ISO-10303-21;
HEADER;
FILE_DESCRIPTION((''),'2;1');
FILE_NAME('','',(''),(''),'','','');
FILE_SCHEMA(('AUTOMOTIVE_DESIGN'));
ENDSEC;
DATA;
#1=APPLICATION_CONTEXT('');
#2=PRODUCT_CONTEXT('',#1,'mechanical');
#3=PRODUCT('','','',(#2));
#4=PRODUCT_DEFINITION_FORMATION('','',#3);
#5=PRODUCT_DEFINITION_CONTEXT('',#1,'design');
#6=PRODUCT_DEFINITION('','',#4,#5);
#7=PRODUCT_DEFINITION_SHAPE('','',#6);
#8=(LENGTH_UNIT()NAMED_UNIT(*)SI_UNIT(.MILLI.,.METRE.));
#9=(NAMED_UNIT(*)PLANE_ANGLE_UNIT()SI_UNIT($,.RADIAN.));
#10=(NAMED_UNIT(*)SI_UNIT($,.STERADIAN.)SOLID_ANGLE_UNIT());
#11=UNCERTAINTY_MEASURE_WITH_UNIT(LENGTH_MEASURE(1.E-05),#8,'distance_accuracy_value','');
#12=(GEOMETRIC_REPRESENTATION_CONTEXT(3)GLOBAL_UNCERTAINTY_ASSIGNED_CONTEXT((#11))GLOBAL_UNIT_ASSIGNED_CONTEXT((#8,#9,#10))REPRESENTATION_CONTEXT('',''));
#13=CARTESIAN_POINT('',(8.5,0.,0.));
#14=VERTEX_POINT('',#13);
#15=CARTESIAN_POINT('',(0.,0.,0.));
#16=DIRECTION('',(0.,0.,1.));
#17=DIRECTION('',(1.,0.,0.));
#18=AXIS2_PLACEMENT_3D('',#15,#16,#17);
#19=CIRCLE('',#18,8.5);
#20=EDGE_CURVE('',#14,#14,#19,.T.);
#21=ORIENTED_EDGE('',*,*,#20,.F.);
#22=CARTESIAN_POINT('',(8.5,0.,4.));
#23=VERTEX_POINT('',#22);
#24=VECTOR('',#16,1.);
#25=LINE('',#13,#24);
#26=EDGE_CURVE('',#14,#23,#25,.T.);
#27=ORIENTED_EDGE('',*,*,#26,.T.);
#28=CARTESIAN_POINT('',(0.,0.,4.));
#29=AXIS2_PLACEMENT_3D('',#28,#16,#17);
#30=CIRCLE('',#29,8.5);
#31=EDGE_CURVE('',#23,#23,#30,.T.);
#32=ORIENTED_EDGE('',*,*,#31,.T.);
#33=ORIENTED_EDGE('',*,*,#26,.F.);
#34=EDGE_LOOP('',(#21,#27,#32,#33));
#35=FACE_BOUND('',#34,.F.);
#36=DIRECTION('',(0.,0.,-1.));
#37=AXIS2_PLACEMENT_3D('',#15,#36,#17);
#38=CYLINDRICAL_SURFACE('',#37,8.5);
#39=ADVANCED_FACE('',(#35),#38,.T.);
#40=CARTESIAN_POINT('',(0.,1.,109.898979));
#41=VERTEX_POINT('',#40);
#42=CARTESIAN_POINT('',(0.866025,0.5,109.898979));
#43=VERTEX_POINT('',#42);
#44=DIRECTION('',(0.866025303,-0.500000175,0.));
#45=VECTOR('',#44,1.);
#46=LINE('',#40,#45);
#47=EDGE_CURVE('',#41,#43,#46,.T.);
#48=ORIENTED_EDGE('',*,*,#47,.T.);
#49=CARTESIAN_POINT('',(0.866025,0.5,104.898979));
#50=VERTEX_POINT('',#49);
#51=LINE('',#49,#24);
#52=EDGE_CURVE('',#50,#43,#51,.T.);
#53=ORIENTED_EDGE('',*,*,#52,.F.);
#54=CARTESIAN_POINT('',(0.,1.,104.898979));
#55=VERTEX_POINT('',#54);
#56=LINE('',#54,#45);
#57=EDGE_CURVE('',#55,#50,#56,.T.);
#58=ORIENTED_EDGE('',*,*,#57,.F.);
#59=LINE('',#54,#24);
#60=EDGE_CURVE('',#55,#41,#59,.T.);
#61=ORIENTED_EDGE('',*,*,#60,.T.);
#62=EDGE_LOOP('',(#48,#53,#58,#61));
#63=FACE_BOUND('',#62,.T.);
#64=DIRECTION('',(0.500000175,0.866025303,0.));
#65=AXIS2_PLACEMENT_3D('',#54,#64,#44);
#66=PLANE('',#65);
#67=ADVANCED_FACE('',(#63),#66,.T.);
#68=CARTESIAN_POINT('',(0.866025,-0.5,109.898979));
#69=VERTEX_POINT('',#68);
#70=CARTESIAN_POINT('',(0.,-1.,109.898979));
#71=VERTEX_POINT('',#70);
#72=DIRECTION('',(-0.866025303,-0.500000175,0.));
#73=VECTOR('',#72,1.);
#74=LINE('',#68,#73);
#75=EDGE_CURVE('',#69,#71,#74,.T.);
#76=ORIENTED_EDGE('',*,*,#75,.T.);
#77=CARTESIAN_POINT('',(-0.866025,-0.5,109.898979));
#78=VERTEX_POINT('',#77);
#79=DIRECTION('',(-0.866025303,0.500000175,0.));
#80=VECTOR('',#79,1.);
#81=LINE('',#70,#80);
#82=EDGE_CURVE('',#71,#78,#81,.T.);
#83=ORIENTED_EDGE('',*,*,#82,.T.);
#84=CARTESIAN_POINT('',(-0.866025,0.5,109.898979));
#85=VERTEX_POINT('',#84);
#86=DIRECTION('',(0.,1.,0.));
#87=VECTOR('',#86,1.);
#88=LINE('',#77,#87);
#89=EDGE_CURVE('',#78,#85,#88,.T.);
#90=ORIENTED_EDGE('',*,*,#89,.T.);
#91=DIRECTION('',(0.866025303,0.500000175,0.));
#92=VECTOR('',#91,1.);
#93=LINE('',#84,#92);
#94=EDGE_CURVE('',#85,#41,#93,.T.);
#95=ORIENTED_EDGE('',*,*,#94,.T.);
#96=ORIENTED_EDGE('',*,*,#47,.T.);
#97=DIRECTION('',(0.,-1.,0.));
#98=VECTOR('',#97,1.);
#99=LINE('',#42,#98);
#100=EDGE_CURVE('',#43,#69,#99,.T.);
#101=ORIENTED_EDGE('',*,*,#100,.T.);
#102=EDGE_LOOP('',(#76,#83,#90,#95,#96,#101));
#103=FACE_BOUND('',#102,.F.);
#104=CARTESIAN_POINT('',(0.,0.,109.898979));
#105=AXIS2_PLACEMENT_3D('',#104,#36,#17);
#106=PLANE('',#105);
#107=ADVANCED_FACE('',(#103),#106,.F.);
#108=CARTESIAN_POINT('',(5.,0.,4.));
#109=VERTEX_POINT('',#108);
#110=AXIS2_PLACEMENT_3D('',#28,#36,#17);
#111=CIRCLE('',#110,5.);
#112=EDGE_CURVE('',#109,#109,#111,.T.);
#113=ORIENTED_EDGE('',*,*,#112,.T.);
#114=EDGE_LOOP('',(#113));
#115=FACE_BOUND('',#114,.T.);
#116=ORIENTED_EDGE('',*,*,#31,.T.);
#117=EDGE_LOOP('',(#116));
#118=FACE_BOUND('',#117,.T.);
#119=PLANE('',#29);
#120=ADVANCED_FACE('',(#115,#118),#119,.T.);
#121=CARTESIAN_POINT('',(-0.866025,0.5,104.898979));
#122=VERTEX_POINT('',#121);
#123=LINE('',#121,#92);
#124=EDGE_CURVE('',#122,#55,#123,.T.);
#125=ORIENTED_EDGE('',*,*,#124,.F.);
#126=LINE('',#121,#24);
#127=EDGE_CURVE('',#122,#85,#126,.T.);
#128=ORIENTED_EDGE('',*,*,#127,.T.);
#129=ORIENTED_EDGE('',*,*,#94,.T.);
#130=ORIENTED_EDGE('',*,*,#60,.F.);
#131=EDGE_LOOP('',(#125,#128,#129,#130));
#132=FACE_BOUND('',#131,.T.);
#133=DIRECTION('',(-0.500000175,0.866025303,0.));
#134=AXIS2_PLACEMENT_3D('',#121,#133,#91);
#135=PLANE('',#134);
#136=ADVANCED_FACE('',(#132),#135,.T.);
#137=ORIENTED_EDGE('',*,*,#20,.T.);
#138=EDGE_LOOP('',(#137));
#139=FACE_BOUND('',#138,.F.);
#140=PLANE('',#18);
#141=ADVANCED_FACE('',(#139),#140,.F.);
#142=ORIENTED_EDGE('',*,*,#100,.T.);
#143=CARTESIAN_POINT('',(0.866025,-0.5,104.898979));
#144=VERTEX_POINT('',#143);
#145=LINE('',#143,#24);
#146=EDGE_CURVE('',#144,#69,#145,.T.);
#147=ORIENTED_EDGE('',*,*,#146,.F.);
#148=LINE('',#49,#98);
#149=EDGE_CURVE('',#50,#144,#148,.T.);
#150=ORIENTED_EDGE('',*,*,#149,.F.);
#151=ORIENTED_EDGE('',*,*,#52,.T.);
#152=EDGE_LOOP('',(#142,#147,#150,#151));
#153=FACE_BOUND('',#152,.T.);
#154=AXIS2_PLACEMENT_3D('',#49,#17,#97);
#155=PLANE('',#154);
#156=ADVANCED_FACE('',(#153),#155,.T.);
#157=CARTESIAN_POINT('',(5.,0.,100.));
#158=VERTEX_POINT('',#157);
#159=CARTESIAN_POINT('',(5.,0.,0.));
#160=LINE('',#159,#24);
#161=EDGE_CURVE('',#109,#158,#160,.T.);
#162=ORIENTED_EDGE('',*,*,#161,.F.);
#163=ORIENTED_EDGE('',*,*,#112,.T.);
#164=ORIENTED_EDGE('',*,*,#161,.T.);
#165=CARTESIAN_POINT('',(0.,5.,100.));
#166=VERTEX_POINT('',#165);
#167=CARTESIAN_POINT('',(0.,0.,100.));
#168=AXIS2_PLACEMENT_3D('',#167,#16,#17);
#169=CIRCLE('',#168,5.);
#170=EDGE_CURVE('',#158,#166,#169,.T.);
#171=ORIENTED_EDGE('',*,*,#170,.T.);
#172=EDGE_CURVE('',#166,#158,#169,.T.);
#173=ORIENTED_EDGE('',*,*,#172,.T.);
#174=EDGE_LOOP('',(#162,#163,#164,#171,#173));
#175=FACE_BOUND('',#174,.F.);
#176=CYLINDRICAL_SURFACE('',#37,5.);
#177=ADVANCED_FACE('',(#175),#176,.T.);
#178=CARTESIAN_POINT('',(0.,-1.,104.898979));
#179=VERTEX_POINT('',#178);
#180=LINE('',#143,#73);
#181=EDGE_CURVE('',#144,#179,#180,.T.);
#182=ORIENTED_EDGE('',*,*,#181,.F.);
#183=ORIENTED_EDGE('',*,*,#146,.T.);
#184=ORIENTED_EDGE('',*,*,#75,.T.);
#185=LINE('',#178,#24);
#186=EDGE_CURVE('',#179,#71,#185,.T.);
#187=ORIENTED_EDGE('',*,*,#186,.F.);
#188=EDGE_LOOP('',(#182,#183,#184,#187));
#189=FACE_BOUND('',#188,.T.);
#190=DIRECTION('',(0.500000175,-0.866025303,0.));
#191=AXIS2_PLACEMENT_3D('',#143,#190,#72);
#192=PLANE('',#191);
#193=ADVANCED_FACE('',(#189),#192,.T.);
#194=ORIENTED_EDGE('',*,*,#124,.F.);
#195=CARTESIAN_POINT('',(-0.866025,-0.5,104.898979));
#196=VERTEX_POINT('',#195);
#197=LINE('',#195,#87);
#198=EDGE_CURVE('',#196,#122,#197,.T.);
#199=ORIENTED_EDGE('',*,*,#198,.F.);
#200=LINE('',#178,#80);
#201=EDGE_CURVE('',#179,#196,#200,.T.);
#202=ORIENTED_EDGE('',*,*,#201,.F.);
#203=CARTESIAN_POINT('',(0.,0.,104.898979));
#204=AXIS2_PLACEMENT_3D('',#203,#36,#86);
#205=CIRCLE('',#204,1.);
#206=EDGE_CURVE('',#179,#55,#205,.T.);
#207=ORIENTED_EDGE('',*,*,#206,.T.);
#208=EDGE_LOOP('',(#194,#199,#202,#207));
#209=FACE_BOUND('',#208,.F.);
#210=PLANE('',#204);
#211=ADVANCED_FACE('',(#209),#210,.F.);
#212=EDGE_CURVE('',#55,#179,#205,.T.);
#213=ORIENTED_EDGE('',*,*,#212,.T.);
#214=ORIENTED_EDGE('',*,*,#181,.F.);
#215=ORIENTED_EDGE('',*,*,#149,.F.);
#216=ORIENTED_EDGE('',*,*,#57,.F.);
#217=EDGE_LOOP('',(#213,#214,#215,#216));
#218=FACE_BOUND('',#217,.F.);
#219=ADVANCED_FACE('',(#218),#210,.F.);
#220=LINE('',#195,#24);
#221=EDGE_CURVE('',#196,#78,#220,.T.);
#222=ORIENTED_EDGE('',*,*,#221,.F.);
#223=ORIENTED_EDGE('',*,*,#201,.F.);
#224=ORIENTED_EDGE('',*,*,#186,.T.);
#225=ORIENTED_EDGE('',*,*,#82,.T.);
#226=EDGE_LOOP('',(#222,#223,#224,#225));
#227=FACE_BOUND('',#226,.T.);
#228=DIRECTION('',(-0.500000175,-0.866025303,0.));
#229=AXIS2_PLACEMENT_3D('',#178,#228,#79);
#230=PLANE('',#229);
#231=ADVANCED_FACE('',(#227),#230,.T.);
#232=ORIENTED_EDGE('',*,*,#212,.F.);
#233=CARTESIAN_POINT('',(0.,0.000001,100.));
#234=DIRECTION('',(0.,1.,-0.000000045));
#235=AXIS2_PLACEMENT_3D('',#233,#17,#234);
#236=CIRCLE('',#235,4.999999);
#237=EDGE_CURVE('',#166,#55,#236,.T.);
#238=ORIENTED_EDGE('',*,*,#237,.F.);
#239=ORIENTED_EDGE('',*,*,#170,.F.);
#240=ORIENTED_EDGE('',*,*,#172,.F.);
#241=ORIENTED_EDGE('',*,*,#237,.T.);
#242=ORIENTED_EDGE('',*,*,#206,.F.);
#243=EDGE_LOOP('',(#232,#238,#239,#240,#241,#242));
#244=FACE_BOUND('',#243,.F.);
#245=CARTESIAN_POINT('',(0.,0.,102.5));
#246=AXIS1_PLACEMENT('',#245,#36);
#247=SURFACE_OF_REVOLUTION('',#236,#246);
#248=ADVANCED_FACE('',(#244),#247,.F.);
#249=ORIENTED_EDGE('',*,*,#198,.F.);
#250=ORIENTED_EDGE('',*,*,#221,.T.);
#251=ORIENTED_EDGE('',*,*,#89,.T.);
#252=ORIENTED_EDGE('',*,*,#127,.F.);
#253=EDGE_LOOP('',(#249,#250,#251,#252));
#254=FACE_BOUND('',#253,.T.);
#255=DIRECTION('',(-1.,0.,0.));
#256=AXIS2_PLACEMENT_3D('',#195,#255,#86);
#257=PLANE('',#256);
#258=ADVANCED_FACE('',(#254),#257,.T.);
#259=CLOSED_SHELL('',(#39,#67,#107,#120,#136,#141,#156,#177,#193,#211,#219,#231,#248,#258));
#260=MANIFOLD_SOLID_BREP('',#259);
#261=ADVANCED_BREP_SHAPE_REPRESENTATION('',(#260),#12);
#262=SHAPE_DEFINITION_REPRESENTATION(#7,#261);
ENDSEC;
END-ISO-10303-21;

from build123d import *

# Parameters (mm, degrees)
F0_R     = 8.5
F1_DEPTH = 4
F2_R     = 5
F3_DEPTH = 100
F9_DEPTH = 5


with BuildPart() as f1:
    # F0 (on Top) → F1 (new body)
    with BuildSketch(Plane.XY):
        Circle(F0_R)
    extrude(amount=F1_DEPTH)

    # F2 (on Top) → F3 (join)
    with BuildSketch(Plane.XY):
        Circle(F2_R)
    extrude(amount=F3_DEPTH)

    # F4 (on Right) → F7 (revolve)
    with BuildSketch(Plane.YZ):
        with BuildLine():
            Line((0, 104.898979), (0, 100))
            Line((0, 100), (5, 100))
            ThreePointArc((5, 100), (3.872983, 103.162278), (1, 104.898979))
            Line((1, 104.898979), (0, 104.898979))
        make_face()
    revolve(axis=Axis((0, 0, 102.5), (0, 0, -1)))

    # F8 (on face) → F9 (join)
    with BuildSketch(Plane(origin=(0, 0, 104.898979), x_dir=(1, 0, 0), z_dir=(0, 0, -1))):
        Polygon((0.866025, -0.5), (0.866025, 0.5), (0, 1), (-0.866025, 0.5), (-0.866025, -0.5), (0, -1), align=None)
    extrude(amount=-F9_DEPTH)


solid = f1.part
